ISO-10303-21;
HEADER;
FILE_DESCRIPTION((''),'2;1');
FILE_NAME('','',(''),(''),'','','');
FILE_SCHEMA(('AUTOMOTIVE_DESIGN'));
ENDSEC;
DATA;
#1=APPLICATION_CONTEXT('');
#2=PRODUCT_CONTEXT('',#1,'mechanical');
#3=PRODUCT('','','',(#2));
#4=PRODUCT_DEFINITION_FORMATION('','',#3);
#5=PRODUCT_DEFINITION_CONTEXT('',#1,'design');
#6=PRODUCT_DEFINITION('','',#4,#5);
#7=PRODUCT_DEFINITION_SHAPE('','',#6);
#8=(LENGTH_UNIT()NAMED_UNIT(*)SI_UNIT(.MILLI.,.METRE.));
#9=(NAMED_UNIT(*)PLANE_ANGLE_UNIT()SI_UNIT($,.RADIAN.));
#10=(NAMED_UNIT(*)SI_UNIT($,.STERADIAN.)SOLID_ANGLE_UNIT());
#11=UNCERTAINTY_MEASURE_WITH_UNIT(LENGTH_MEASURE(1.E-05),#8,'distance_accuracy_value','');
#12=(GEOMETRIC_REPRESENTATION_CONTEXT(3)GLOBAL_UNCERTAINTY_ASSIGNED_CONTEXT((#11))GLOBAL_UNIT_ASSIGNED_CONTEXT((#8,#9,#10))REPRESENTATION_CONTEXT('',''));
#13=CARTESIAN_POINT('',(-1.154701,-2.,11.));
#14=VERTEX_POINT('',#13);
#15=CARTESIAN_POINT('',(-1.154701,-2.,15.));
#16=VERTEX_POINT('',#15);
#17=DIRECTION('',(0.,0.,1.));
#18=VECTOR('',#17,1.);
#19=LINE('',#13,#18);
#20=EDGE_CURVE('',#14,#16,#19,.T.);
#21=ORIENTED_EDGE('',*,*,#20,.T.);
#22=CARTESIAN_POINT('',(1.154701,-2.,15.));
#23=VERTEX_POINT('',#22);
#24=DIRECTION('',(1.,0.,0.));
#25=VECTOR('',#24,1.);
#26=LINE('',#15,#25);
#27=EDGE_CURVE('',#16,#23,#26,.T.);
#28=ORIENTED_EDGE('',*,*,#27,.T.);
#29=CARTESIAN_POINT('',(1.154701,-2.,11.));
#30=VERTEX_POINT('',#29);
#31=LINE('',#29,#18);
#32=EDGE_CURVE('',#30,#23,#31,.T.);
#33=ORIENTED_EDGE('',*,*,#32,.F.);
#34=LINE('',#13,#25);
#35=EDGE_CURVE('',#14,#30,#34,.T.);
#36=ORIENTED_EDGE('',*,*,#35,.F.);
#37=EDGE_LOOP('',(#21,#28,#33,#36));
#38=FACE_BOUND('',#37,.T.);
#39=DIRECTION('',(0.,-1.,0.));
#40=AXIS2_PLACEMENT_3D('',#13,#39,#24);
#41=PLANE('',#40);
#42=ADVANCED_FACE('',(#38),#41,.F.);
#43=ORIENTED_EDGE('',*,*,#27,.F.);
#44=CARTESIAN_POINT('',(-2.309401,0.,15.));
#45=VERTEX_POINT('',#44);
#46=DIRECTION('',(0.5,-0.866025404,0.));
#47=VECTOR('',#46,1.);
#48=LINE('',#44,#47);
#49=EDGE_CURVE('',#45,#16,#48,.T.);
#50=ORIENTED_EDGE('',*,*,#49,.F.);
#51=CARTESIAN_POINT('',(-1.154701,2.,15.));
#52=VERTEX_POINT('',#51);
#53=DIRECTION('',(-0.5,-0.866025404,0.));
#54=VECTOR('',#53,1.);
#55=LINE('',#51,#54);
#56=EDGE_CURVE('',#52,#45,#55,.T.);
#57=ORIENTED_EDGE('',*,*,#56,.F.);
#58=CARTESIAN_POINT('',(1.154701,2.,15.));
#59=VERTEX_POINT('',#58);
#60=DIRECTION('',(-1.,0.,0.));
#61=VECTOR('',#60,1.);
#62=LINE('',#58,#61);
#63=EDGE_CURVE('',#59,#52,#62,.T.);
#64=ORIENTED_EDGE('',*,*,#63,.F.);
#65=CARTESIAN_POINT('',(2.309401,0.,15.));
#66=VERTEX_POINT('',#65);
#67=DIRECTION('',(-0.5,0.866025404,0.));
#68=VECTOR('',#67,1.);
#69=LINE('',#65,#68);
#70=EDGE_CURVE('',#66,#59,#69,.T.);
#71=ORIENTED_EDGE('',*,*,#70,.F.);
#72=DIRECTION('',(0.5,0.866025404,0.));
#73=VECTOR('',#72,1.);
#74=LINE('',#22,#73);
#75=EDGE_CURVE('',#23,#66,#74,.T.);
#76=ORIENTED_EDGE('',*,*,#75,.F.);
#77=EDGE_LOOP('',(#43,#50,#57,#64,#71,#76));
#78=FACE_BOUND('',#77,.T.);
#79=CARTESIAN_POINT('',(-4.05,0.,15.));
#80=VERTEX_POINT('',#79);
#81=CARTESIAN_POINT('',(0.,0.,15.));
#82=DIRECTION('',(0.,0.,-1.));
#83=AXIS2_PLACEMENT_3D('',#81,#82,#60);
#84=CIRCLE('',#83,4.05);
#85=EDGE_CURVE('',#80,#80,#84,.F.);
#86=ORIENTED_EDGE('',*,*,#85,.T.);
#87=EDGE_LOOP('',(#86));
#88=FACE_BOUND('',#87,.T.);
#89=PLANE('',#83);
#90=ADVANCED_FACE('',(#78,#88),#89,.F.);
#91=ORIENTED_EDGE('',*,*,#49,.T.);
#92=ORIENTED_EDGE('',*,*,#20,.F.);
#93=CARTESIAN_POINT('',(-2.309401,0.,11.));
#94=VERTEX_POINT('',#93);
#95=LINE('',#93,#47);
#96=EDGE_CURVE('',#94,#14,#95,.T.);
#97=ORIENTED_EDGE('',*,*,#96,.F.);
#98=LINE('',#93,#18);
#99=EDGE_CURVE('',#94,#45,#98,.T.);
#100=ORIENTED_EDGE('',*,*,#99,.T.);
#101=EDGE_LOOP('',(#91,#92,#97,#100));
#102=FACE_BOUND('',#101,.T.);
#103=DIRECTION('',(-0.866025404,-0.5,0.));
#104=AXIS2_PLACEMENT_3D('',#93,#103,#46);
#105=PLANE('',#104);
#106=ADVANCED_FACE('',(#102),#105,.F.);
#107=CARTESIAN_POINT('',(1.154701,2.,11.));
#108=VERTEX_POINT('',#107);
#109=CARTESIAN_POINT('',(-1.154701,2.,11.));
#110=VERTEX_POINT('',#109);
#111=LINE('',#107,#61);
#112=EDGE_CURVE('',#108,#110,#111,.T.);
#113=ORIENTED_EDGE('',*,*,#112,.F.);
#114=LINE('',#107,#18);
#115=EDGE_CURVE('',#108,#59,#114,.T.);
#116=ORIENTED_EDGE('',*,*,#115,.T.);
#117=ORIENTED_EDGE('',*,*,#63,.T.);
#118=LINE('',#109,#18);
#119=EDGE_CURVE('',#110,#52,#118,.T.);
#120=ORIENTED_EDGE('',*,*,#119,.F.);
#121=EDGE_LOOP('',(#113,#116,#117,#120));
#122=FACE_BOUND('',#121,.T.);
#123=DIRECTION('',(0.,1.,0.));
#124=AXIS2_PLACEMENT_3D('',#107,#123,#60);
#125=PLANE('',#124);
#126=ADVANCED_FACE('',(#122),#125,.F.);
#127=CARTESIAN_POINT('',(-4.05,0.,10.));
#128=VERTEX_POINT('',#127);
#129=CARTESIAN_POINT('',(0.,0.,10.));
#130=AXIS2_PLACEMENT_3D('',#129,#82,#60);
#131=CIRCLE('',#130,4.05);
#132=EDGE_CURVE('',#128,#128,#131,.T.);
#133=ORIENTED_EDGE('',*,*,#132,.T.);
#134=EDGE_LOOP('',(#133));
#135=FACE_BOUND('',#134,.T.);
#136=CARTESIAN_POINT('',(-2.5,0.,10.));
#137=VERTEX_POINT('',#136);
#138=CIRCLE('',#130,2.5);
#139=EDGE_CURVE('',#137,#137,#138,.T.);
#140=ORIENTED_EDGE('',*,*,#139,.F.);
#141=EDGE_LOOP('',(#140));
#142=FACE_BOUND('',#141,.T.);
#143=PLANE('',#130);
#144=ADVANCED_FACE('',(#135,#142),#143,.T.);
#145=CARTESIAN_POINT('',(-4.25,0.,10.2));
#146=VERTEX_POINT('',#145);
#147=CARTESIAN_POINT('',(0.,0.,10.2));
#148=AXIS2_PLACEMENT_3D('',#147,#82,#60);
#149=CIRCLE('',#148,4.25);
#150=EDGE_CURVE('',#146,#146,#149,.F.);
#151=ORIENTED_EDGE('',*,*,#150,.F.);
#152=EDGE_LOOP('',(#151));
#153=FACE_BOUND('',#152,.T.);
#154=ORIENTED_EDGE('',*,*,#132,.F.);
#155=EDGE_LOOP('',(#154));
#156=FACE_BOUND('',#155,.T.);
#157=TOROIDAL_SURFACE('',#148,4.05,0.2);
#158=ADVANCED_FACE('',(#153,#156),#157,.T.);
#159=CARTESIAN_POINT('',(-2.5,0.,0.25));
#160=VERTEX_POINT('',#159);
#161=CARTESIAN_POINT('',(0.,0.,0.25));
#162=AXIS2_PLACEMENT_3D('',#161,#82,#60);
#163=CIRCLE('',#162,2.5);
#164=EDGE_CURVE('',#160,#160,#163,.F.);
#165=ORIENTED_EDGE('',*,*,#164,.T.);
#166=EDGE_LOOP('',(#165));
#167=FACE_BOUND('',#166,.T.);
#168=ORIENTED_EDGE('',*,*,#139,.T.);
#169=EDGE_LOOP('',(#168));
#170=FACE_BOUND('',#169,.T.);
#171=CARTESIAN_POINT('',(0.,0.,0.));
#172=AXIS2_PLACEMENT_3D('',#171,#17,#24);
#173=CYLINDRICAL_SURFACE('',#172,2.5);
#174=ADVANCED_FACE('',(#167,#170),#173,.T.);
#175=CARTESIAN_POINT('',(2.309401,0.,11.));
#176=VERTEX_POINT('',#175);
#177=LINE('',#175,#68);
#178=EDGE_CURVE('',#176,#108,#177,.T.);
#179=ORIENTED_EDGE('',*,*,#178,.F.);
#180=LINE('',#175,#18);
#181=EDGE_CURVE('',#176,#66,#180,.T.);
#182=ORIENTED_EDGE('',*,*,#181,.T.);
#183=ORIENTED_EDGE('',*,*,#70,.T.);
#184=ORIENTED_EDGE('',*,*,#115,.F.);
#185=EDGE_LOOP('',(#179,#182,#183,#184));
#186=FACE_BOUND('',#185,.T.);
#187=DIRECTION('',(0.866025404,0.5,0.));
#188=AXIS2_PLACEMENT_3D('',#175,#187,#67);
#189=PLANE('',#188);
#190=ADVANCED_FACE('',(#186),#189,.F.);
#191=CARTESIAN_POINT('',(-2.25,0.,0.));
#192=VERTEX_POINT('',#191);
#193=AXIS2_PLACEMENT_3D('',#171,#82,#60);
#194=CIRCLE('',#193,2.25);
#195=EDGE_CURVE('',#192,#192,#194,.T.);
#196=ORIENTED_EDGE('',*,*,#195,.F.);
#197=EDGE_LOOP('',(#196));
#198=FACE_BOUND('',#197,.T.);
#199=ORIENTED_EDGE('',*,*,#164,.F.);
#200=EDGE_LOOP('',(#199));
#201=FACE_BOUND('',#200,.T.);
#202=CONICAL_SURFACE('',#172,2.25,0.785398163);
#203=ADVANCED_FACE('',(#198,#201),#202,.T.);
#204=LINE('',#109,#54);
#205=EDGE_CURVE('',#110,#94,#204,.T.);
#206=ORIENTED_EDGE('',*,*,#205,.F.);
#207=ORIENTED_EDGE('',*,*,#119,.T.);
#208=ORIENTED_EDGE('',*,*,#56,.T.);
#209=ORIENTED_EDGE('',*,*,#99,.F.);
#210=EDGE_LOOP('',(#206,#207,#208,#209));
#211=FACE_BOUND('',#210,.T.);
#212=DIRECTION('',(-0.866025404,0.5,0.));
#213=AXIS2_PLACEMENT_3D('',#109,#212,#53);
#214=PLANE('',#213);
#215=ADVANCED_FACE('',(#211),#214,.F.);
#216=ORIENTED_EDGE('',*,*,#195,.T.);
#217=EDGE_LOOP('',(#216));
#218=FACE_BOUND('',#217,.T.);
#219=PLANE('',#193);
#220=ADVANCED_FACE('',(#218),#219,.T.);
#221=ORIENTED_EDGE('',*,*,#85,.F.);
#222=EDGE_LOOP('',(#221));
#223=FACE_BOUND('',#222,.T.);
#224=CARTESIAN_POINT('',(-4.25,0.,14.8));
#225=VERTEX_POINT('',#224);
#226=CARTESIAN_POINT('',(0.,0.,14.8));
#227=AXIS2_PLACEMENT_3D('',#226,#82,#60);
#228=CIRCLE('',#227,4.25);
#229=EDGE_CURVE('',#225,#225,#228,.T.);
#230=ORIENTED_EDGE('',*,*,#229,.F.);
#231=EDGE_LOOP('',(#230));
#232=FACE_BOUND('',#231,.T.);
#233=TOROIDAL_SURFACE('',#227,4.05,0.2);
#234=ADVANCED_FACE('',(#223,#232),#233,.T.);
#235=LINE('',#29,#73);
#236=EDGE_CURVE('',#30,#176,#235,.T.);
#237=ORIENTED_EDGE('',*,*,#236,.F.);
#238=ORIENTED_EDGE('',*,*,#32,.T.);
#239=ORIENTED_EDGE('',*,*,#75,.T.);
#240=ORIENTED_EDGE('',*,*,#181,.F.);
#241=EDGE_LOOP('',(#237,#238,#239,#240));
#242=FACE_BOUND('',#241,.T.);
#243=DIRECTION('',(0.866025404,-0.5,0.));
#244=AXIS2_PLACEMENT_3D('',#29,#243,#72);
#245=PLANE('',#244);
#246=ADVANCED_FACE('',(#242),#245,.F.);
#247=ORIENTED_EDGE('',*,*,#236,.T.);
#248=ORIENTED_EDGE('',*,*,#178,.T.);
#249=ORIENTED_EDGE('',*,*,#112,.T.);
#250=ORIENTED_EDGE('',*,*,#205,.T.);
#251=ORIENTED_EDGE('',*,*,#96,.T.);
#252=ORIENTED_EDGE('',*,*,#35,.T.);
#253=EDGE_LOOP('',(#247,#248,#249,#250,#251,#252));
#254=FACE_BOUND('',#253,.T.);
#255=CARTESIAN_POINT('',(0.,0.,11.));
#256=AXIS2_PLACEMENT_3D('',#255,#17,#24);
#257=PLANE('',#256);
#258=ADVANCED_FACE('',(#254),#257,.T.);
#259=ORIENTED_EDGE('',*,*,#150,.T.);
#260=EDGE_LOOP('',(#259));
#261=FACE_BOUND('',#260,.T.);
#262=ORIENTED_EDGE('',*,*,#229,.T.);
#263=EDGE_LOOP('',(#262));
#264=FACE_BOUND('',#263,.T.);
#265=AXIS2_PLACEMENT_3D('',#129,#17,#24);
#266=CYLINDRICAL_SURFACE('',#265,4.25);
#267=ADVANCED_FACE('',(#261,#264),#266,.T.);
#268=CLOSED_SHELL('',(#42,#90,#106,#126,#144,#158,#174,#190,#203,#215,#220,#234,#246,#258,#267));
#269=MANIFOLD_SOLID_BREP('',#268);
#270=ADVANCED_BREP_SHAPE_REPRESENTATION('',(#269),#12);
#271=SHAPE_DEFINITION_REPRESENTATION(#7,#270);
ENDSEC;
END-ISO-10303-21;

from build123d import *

# Parameters (mm, degrees)
SKETCH1_R           = 4.25
BOSS_EXTRUDE1_DEPTH = 5
SKETCH2_R           = 2.5
BOSS_EXTRUDE2_DEPTH = 10
CUT_EXTRUDE1_DEPTH  = 4
CHAMFER1_SIZE       = 0.25
FILLET1_R           = 0.2


with BuildPart() as part:
    # Sketch1 → Boss-Extrude1 (new body)
    with BuildSketch(Plane.XY.offset(15)):
        with Locations(Location((0, 0, 0), (0, 0, 180))):
            Circle(SKETCH1_R)
    extrude(amount=-BOSS_EXTRUDE1_DEPTH)

    # Sketch2 → Boss-Extrude2 (add)
    with BuildSketch(Plane(origin=(0, 0, 10), x_dir=(-1, 0, 0), z_dir=(0, 0, -1))):
        Circle(SKETCH2_R)
    extrude(amount=BOSS_EXTRUDE2_DEPTH)

    # Sketch3 → Cut-Extrude1 (cut)
    with BuildSketch(Plane.XY.offset(15)):
        Polygon((-2.309401077, 0), (-1.154700538, -2), (1.154700538, -2), (2.309401077, 0), (1.154700538, 2), (-1.154700538, 2), align=None)
    extrude(amount=-CUT_EXTRUDE1_DEPTH, mode=Mode.SUBTRACT)

    # Chamfer1
    chamfer1_edges = [part.edges().sort_by_distance(p)[0] for p in [
        (2.5, 0, 0),
    ]]
    chamfer(chamfer1_edges, length=CHAMFER1_SIZE)

    # Fillet1
    fillet1_edges = [part.edges().sort_by_distance(p)[0] for p in [
        (4.25, 0, 15),
        (4.25, 0, 10),
    ]]
    fillet(fillet1_edges, radius=FILLET1_R)


solid = part.part
